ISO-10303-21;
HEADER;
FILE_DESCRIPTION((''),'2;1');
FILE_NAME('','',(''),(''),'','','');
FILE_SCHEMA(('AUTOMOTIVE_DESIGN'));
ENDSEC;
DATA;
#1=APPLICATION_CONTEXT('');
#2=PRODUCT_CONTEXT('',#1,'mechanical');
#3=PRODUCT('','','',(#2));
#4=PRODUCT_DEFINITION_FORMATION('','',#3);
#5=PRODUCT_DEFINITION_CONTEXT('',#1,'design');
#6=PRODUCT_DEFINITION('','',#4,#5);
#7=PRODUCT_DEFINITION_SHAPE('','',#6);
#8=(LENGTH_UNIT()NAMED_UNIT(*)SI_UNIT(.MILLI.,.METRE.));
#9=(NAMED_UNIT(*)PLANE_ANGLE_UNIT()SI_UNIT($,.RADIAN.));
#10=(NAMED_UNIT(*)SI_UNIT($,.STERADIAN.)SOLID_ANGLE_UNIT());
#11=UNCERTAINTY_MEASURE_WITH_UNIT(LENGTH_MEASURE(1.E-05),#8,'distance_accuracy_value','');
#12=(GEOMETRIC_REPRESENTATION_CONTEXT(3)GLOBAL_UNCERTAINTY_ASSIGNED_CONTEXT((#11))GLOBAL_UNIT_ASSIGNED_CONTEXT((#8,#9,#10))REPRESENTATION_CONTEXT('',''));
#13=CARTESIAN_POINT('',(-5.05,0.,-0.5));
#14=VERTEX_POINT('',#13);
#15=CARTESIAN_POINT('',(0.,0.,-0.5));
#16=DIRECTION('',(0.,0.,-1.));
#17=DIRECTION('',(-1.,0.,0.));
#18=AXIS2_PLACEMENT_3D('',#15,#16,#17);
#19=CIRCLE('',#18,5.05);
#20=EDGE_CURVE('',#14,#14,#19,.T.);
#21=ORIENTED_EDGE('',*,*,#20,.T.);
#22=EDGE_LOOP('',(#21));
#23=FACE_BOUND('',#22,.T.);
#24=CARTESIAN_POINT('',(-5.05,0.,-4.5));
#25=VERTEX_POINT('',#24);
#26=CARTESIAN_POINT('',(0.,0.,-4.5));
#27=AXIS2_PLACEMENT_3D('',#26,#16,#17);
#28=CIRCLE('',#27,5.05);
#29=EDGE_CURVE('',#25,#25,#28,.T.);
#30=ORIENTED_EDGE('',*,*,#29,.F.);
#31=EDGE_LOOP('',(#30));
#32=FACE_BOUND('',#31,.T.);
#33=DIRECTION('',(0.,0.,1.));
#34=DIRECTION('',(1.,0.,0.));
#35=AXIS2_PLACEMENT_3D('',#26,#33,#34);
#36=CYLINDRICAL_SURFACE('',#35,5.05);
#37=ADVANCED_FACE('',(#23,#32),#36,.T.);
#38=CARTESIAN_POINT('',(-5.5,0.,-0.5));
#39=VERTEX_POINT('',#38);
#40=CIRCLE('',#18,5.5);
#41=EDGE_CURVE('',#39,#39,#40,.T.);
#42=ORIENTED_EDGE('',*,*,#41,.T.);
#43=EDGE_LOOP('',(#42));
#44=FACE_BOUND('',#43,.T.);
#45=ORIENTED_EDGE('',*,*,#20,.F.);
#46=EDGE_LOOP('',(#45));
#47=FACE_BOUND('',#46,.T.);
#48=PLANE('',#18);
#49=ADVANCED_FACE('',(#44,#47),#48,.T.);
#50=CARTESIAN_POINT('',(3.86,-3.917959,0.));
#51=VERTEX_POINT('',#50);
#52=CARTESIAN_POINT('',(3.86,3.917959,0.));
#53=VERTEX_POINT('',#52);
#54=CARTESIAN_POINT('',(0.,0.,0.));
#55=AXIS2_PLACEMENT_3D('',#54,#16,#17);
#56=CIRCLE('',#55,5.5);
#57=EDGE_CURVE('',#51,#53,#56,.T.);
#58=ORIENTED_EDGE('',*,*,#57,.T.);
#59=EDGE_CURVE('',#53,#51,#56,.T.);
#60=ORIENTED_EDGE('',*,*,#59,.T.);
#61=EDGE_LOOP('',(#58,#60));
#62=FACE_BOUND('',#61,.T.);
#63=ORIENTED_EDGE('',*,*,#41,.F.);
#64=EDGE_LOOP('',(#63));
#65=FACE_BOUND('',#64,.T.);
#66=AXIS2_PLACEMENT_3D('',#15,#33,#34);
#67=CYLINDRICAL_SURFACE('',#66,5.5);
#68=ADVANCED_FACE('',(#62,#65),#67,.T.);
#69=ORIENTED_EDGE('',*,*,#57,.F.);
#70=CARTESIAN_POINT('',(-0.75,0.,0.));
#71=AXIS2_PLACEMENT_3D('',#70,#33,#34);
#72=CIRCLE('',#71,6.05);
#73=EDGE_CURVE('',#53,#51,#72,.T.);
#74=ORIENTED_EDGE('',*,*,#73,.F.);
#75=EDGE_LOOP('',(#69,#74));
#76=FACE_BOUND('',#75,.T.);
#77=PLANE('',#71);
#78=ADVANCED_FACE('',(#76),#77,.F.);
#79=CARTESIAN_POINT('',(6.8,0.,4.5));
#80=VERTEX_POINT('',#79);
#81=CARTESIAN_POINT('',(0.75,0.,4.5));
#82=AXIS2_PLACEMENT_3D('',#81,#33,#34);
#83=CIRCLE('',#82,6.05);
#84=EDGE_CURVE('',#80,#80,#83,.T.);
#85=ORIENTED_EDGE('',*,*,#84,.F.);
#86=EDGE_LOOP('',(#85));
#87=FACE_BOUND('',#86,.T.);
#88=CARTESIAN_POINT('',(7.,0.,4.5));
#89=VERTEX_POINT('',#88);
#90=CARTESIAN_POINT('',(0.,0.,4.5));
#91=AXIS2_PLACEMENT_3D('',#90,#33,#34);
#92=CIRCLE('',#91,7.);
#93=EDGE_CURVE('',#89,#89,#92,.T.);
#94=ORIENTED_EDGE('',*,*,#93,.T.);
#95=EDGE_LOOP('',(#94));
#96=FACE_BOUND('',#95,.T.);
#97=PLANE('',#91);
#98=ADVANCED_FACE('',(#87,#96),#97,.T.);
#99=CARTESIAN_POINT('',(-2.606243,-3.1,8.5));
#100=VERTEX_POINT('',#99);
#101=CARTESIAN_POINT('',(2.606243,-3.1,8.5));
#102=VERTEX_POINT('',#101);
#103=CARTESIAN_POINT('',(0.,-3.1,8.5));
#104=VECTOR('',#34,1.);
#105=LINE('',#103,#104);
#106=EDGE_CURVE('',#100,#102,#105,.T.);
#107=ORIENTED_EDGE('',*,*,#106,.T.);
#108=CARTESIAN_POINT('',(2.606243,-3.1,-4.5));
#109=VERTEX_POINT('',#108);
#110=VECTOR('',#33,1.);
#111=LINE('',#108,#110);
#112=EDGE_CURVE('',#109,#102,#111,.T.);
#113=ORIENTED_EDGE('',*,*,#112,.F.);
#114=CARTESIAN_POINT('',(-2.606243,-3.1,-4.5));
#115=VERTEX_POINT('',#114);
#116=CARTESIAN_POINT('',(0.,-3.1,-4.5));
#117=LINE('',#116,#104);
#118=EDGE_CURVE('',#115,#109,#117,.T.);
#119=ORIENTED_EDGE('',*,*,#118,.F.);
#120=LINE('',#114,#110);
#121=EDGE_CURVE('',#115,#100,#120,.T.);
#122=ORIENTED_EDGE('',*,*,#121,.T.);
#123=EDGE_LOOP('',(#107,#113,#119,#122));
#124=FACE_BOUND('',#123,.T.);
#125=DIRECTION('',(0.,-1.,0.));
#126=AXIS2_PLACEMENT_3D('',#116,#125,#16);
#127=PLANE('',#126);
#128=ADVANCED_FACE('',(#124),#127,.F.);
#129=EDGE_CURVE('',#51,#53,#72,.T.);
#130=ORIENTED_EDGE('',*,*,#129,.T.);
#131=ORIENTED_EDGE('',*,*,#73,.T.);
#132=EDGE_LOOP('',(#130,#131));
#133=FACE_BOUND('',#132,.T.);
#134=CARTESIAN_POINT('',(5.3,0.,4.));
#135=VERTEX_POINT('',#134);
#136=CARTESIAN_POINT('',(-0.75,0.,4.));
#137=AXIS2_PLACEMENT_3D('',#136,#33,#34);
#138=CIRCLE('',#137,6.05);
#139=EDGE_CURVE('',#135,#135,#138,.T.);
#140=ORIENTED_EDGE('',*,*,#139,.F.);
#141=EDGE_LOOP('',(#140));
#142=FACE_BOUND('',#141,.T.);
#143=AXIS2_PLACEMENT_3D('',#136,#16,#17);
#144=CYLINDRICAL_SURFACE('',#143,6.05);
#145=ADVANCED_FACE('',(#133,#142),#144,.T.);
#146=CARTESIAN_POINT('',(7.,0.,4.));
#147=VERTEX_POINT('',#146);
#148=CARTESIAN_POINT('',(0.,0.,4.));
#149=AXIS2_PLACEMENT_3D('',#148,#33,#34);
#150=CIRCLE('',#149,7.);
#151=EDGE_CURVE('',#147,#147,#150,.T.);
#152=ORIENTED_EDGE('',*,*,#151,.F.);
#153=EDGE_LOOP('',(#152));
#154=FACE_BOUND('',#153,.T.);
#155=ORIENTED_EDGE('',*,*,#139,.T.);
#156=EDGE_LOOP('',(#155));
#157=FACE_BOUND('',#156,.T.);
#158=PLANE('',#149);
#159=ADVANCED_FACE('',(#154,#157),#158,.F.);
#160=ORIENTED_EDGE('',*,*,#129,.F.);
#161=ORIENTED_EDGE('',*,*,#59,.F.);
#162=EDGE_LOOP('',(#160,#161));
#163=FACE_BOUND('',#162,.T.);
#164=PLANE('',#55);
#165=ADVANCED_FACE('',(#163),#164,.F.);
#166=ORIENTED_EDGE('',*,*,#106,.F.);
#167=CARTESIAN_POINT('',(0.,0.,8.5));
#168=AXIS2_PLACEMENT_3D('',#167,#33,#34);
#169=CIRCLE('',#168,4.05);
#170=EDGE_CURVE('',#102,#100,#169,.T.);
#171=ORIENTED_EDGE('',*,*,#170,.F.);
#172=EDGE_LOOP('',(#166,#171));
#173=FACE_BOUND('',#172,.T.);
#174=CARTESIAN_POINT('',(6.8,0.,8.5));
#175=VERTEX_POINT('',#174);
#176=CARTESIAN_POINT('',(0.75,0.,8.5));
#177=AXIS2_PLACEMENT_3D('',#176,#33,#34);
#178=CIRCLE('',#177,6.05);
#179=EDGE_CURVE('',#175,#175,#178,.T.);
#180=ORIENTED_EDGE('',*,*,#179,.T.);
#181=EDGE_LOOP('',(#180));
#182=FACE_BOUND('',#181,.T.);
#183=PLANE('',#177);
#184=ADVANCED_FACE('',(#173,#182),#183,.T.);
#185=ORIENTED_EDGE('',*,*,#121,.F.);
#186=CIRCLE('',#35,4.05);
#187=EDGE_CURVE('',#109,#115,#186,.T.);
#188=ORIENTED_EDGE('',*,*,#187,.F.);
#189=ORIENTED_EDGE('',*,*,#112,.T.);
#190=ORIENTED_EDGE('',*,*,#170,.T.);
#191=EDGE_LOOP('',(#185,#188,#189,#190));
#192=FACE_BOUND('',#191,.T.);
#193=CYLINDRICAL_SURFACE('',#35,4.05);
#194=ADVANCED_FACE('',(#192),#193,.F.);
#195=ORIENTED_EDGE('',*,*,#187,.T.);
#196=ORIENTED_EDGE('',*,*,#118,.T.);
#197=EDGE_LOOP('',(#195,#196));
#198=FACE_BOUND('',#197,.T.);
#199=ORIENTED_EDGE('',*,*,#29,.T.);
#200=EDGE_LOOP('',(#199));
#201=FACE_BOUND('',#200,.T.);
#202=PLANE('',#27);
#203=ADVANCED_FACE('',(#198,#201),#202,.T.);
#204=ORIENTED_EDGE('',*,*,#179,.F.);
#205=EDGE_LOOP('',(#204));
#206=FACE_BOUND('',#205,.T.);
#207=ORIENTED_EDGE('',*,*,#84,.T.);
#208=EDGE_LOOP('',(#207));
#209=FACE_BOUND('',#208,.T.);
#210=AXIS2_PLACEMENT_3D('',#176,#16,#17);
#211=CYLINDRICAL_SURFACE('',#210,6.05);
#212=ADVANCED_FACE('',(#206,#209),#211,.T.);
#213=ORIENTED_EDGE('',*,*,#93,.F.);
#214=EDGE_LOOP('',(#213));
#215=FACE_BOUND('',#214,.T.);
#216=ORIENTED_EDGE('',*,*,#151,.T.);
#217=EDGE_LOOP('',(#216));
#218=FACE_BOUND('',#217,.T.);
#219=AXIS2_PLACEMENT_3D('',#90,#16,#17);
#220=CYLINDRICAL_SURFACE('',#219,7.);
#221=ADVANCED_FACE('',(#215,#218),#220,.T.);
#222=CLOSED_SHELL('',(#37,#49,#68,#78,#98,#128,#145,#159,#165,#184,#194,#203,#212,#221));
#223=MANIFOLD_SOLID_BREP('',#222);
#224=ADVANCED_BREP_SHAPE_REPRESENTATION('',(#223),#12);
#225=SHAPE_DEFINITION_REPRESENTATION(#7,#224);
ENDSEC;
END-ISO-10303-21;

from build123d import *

# Parameters (mm, degrees)
SKETCH_1_R          = 6.05
EXTRUDE_1_DEPTH     = 4
SKETCH_2_R          = 7
EXTRUDE_2_DEPTH     = 0.5
SKETCH_3_R          = 6.05
EXTRUDE_3_DEPTH     = 4
SKETCH_5_R          = 5.5
EXTRUDE_4_DEPTH     = 0.5
SKETCH_6_R          = 5.05
EXTRUDE_5_DEPTH     = 4
CUT_EXTRUDE_1_DEPTH = 14


with BuildPart() as part:
    # 草图1 → 凸台-拉伸1 (new body)
    with BuildSketch(Plane.XY):
        with Locations((-0.75, 0)):
            Circle(SKETCH_1_R)
    extrude(amount=EXTRUDE_1_DEPTH)

    # 草图2 → 凸台-拉伸2 (add)
    with BuildSketch(Plane.XY.offset(4)):
        Circle(SKETCH_2_R)
    extrude(amount=EXTRUDE_2_DEPTH)

    # 草图3 → 凸台-拉伸3 (add)
    with BuildSketch(Plane.XY.offset(4.5)):
        with Locations((0.75, 0)):
            Circle(SKETCH_3_R)
    extrude(amount=EXTRUDE_3_DEPTH)

    # 草图5 → 凸台-拉伸4 (add)
    with BuildSketch(Plane(origin=(0, 0, 0), x_dir=(-1, 0, 0), z_dir=(0, 0, -1))):
        Circle(SKETCH_5_R)
    extrude(amount=EXTRUDE_4_DEPTH)

    # 草图6 → 凸台-拉伸5 (add)
    with BuildSketch(Plane(origin=(0, 0, -0.5), x_dir=(-1, 0, 0), z_dir=(0, 0, -1))):
        Circle(SKETCH_6_R)
    extrude(amount=EXTRUDE_5_DEPTH)

    # 草图4 → 切除-拉伸1 (cut, through all)
    with BuildSketch(Plane.XY.offset(8.5)):
        with BuildLine():
            ThreePointArc((4.05, 0), (-1.709856405, 3.671360929), (-2.606242506, -3.1))
            Line((-2.606242506, -3.1), (2.606242506, -3.1))
            ThreePointArc((2.606242506, -3.1), (3.671360929, -1.709856405), (4.05, 0))
        make_face()
    extrude(amount=-CUT_EXTRUDE_1_DEPTH, mode=Mode.SUBTRACT)


solid = part.part
